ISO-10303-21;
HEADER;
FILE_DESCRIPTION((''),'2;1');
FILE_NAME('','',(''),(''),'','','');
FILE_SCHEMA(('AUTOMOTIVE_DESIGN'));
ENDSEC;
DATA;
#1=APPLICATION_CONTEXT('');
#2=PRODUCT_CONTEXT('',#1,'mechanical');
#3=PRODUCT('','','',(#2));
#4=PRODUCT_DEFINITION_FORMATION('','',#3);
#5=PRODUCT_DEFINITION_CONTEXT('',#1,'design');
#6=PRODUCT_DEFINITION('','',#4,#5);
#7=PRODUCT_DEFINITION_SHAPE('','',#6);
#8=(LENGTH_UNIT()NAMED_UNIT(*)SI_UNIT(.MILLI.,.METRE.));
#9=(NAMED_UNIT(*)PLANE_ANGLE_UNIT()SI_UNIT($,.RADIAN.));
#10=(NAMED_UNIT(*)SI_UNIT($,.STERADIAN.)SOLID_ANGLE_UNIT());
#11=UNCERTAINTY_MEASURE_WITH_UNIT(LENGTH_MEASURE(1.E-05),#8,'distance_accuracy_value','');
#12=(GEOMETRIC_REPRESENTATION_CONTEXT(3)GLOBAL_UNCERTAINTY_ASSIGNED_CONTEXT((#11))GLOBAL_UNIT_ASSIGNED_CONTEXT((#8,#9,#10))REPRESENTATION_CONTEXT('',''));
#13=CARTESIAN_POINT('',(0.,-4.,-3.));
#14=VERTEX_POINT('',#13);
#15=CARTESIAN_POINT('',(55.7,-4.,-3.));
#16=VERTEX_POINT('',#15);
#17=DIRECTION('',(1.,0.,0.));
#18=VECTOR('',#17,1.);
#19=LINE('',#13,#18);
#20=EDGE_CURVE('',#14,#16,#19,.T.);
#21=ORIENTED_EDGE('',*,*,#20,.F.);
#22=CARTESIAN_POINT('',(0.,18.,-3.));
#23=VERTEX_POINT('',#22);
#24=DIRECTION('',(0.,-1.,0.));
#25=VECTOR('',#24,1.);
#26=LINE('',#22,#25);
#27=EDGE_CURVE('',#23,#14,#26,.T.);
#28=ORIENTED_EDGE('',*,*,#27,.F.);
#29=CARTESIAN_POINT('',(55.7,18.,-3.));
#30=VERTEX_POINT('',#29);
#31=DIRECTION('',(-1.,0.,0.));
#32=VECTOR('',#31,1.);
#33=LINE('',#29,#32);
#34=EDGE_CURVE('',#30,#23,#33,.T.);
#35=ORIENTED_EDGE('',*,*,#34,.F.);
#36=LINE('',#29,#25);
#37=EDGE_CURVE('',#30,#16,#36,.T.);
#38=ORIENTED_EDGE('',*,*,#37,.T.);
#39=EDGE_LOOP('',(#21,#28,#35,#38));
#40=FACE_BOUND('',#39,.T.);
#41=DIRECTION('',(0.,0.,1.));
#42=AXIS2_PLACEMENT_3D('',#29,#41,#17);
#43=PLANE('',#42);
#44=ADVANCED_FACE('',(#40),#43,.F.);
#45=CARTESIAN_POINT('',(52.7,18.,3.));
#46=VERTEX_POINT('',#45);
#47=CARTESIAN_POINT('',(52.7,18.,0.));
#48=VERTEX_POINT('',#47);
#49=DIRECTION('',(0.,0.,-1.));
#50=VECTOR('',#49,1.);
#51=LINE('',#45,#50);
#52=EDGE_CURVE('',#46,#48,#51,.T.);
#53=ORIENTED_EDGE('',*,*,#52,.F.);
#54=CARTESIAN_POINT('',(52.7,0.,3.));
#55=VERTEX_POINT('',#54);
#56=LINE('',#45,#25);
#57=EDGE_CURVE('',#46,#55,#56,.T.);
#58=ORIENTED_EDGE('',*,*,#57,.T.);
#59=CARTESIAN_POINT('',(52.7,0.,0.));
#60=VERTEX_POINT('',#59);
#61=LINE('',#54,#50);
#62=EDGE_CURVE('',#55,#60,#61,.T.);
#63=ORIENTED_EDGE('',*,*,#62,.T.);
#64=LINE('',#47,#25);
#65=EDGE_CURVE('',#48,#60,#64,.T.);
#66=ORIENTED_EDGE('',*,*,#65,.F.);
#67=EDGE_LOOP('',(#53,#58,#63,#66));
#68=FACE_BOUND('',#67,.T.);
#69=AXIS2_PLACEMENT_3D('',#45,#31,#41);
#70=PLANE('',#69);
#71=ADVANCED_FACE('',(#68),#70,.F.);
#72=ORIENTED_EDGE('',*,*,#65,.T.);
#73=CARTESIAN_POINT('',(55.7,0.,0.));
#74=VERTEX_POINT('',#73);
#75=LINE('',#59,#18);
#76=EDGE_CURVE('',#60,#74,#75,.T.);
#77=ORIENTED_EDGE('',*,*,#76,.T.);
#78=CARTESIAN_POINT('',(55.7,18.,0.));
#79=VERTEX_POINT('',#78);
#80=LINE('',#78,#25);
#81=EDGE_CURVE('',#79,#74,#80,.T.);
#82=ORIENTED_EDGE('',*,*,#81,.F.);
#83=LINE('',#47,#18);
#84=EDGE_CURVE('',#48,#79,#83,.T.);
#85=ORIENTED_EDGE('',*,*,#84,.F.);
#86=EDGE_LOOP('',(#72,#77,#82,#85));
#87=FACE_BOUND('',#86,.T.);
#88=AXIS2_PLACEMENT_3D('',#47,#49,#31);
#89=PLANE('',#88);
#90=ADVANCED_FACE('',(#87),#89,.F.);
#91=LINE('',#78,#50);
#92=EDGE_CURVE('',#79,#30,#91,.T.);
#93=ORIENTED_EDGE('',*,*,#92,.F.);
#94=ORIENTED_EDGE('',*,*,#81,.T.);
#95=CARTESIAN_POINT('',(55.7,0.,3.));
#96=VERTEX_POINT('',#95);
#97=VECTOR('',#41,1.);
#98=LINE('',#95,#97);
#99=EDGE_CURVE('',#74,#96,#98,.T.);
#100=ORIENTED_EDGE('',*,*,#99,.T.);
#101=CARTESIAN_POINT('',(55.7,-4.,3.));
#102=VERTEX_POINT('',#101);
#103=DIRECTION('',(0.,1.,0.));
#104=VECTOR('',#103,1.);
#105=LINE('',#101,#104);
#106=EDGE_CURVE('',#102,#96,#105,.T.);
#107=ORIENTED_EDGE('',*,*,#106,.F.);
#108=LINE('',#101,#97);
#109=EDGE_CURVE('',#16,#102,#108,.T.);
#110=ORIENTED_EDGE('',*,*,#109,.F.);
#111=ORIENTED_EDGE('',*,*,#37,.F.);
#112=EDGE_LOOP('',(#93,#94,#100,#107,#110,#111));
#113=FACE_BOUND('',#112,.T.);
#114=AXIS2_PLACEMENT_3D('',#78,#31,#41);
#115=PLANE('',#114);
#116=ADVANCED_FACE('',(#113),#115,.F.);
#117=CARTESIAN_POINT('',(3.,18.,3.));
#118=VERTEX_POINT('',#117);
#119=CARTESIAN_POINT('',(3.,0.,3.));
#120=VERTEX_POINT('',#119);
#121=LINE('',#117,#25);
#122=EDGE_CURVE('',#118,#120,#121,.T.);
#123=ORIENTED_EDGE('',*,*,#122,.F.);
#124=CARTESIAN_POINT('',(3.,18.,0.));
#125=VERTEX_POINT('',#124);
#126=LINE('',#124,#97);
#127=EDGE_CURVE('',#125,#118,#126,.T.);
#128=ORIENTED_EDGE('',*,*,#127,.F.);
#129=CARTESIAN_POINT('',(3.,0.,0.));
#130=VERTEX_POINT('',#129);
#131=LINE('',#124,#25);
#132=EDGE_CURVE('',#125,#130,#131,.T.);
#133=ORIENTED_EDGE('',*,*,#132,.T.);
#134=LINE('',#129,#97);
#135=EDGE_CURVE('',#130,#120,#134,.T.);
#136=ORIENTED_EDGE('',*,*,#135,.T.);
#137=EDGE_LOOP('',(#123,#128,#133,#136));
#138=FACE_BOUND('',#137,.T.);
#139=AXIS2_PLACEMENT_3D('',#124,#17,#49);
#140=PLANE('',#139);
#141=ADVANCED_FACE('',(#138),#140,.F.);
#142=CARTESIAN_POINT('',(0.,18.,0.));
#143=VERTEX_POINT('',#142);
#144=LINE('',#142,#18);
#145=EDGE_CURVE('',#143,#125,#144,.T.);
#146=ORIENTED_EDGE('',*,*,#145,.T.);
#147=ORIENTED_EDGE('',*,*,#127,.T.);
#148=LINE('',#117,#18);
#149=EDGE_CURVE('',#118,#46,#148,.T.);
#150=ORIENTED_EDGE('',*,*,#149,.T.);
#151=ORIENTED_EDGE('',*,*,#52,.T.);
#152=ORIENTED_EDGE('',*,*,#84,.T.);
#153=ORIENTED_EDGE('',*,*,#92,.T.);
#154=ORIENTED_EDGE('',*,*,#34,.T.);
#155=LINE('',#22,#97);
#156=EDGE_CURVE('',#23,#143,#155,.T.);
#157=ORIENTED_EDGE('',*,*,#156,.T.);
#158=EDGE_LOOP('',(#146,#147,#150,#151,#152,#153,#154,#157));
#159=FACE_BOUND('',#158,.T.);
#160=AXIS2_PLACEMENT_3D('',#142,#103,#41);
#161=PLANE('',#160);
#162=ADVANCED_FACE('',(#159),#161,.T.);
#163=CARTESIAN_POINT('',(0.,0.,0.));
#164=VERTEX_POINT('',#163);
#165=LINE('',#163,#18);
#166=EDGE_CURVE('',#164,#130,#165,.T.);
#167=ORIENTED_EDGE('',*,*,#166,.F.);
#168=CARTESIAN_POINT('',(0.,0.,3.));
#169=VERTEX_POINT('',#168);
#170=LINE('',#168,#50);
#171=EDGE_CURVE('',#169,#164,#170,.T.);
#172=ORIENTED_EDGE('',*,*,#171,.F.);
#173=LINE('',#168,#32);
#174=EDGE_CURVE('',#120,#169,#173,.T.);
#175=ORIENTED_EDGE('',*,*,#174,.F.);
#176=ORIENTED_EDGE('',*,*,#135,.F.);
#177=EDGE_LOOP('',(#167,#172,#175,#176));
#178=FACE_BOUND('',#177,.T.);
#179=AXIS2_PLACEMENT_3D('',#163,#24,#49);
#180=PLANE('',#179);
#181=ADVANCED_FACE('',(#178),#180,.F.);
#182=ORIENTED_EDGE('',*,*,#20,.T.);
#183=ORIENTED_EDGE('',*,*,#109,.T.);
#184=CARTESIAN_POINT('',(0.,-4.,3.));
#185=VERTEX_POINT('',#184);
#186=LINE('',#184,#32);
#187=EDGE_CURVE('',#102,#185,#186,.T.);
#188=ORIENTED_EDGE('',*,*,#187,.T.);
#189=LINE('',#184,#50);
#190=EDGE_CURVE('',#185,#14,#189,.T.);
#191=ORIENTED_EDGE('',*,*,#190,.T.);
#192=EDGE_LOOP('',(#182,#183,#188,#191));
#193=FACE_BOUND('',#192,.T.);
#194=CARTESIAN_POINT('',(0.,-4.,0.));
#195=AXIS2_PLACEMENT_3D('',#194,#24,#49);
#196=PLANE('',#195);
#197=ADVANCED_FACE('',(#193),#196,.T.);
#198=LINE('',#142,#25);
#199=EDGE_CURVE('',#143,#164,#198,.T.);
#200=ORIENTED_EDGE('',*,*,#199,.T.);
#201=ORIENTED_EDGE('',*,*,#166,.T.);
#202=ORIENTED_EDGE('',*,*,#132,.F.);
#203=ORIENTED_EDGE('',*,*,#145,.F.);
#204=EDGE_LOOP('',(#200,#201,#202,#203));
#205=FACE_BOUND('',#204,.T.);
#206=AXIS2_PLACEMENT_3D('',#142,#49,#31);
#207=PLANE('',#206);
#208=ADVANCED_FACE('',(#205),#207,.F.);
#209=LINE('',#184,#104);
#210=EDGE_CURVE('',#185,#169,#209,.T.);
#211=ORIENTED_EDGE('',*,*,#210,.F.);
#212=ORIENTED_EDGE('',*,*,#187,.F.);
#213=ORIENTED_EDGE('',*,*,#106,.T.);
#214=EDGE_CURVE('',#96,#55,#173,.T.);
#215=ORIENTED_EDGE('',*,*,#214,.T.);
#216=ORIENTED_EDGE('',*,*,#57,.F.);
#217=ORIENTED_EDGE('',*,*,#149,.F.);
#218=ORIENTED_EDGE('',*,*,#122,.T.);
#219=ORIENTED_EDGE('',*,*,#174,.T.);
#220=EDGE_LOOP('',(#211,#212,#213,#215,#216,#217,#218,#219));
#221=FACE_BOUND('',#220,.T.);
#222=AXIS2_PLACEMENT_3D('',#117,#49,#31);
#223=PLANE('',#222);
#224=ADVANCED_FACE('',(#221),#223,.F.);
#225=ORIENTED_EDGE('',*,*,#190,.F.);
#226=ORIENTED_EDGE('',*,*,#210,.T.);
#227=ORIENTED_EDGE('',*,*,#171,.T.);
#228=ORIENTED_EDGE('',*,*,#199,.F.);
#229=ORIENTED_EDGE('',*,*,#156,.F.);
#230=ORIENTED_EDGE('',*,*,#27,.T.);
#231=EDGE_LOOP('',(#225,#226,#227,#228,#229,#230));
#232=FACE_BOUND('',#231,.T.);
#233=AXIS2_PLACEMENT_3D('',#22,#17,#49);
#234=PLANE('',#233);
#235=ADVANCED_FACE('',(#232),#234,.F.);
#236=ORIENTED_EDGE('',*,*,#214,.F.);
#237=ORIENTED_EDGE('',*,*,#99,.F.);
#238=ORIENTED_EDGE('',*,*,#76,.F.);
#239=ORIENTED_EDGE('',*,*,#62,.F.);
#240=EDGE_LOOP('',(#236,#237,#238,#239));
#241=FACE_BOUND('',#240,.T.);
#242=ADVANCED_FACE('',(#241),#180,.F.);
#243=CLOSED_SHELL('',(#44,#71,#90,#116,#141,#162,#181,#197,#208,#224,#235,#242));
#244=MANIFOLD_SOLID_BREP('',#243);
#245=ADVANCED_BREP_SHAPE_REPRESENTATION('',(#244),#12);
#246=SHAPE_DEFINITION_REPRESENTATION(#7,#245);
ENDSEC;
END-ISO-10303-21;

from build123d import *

# Parameters (mm, degrees)
EXTRUDE_1_DEPTH = 18
SKETCH_2_W      = 55.7
SKETCH_2_H      = 6
EXTRUDE_2_DEPTH = 4


with BuildPart() as part:
    # 草图1 → 凸台-拉伸1 (new body)
    with BuildSketch(Plane(origin=(0, 0, 0), x_dir=(1, 0, 0), z_dir=(0, 1, 0))):
        Polygon((0, 0), (3, 0), (3, -3), (52.7, -3), (52.7, 0), (55.7, 0), (55.7, 3), (0, 3), align=None)
    extrude(amount=EXTRUDE_1_DEPTH)

    # 草图2 → 凸台-拉伸2 (add)
    with BuildSketch(Plane.XZ):
        with Locations((27.85, 0)):
            Rectangle(SKETCH_2_W, SKETCH_2_H)
    extrude(amount=EXTRUDE_2_DEPTH)


solid = part.part
